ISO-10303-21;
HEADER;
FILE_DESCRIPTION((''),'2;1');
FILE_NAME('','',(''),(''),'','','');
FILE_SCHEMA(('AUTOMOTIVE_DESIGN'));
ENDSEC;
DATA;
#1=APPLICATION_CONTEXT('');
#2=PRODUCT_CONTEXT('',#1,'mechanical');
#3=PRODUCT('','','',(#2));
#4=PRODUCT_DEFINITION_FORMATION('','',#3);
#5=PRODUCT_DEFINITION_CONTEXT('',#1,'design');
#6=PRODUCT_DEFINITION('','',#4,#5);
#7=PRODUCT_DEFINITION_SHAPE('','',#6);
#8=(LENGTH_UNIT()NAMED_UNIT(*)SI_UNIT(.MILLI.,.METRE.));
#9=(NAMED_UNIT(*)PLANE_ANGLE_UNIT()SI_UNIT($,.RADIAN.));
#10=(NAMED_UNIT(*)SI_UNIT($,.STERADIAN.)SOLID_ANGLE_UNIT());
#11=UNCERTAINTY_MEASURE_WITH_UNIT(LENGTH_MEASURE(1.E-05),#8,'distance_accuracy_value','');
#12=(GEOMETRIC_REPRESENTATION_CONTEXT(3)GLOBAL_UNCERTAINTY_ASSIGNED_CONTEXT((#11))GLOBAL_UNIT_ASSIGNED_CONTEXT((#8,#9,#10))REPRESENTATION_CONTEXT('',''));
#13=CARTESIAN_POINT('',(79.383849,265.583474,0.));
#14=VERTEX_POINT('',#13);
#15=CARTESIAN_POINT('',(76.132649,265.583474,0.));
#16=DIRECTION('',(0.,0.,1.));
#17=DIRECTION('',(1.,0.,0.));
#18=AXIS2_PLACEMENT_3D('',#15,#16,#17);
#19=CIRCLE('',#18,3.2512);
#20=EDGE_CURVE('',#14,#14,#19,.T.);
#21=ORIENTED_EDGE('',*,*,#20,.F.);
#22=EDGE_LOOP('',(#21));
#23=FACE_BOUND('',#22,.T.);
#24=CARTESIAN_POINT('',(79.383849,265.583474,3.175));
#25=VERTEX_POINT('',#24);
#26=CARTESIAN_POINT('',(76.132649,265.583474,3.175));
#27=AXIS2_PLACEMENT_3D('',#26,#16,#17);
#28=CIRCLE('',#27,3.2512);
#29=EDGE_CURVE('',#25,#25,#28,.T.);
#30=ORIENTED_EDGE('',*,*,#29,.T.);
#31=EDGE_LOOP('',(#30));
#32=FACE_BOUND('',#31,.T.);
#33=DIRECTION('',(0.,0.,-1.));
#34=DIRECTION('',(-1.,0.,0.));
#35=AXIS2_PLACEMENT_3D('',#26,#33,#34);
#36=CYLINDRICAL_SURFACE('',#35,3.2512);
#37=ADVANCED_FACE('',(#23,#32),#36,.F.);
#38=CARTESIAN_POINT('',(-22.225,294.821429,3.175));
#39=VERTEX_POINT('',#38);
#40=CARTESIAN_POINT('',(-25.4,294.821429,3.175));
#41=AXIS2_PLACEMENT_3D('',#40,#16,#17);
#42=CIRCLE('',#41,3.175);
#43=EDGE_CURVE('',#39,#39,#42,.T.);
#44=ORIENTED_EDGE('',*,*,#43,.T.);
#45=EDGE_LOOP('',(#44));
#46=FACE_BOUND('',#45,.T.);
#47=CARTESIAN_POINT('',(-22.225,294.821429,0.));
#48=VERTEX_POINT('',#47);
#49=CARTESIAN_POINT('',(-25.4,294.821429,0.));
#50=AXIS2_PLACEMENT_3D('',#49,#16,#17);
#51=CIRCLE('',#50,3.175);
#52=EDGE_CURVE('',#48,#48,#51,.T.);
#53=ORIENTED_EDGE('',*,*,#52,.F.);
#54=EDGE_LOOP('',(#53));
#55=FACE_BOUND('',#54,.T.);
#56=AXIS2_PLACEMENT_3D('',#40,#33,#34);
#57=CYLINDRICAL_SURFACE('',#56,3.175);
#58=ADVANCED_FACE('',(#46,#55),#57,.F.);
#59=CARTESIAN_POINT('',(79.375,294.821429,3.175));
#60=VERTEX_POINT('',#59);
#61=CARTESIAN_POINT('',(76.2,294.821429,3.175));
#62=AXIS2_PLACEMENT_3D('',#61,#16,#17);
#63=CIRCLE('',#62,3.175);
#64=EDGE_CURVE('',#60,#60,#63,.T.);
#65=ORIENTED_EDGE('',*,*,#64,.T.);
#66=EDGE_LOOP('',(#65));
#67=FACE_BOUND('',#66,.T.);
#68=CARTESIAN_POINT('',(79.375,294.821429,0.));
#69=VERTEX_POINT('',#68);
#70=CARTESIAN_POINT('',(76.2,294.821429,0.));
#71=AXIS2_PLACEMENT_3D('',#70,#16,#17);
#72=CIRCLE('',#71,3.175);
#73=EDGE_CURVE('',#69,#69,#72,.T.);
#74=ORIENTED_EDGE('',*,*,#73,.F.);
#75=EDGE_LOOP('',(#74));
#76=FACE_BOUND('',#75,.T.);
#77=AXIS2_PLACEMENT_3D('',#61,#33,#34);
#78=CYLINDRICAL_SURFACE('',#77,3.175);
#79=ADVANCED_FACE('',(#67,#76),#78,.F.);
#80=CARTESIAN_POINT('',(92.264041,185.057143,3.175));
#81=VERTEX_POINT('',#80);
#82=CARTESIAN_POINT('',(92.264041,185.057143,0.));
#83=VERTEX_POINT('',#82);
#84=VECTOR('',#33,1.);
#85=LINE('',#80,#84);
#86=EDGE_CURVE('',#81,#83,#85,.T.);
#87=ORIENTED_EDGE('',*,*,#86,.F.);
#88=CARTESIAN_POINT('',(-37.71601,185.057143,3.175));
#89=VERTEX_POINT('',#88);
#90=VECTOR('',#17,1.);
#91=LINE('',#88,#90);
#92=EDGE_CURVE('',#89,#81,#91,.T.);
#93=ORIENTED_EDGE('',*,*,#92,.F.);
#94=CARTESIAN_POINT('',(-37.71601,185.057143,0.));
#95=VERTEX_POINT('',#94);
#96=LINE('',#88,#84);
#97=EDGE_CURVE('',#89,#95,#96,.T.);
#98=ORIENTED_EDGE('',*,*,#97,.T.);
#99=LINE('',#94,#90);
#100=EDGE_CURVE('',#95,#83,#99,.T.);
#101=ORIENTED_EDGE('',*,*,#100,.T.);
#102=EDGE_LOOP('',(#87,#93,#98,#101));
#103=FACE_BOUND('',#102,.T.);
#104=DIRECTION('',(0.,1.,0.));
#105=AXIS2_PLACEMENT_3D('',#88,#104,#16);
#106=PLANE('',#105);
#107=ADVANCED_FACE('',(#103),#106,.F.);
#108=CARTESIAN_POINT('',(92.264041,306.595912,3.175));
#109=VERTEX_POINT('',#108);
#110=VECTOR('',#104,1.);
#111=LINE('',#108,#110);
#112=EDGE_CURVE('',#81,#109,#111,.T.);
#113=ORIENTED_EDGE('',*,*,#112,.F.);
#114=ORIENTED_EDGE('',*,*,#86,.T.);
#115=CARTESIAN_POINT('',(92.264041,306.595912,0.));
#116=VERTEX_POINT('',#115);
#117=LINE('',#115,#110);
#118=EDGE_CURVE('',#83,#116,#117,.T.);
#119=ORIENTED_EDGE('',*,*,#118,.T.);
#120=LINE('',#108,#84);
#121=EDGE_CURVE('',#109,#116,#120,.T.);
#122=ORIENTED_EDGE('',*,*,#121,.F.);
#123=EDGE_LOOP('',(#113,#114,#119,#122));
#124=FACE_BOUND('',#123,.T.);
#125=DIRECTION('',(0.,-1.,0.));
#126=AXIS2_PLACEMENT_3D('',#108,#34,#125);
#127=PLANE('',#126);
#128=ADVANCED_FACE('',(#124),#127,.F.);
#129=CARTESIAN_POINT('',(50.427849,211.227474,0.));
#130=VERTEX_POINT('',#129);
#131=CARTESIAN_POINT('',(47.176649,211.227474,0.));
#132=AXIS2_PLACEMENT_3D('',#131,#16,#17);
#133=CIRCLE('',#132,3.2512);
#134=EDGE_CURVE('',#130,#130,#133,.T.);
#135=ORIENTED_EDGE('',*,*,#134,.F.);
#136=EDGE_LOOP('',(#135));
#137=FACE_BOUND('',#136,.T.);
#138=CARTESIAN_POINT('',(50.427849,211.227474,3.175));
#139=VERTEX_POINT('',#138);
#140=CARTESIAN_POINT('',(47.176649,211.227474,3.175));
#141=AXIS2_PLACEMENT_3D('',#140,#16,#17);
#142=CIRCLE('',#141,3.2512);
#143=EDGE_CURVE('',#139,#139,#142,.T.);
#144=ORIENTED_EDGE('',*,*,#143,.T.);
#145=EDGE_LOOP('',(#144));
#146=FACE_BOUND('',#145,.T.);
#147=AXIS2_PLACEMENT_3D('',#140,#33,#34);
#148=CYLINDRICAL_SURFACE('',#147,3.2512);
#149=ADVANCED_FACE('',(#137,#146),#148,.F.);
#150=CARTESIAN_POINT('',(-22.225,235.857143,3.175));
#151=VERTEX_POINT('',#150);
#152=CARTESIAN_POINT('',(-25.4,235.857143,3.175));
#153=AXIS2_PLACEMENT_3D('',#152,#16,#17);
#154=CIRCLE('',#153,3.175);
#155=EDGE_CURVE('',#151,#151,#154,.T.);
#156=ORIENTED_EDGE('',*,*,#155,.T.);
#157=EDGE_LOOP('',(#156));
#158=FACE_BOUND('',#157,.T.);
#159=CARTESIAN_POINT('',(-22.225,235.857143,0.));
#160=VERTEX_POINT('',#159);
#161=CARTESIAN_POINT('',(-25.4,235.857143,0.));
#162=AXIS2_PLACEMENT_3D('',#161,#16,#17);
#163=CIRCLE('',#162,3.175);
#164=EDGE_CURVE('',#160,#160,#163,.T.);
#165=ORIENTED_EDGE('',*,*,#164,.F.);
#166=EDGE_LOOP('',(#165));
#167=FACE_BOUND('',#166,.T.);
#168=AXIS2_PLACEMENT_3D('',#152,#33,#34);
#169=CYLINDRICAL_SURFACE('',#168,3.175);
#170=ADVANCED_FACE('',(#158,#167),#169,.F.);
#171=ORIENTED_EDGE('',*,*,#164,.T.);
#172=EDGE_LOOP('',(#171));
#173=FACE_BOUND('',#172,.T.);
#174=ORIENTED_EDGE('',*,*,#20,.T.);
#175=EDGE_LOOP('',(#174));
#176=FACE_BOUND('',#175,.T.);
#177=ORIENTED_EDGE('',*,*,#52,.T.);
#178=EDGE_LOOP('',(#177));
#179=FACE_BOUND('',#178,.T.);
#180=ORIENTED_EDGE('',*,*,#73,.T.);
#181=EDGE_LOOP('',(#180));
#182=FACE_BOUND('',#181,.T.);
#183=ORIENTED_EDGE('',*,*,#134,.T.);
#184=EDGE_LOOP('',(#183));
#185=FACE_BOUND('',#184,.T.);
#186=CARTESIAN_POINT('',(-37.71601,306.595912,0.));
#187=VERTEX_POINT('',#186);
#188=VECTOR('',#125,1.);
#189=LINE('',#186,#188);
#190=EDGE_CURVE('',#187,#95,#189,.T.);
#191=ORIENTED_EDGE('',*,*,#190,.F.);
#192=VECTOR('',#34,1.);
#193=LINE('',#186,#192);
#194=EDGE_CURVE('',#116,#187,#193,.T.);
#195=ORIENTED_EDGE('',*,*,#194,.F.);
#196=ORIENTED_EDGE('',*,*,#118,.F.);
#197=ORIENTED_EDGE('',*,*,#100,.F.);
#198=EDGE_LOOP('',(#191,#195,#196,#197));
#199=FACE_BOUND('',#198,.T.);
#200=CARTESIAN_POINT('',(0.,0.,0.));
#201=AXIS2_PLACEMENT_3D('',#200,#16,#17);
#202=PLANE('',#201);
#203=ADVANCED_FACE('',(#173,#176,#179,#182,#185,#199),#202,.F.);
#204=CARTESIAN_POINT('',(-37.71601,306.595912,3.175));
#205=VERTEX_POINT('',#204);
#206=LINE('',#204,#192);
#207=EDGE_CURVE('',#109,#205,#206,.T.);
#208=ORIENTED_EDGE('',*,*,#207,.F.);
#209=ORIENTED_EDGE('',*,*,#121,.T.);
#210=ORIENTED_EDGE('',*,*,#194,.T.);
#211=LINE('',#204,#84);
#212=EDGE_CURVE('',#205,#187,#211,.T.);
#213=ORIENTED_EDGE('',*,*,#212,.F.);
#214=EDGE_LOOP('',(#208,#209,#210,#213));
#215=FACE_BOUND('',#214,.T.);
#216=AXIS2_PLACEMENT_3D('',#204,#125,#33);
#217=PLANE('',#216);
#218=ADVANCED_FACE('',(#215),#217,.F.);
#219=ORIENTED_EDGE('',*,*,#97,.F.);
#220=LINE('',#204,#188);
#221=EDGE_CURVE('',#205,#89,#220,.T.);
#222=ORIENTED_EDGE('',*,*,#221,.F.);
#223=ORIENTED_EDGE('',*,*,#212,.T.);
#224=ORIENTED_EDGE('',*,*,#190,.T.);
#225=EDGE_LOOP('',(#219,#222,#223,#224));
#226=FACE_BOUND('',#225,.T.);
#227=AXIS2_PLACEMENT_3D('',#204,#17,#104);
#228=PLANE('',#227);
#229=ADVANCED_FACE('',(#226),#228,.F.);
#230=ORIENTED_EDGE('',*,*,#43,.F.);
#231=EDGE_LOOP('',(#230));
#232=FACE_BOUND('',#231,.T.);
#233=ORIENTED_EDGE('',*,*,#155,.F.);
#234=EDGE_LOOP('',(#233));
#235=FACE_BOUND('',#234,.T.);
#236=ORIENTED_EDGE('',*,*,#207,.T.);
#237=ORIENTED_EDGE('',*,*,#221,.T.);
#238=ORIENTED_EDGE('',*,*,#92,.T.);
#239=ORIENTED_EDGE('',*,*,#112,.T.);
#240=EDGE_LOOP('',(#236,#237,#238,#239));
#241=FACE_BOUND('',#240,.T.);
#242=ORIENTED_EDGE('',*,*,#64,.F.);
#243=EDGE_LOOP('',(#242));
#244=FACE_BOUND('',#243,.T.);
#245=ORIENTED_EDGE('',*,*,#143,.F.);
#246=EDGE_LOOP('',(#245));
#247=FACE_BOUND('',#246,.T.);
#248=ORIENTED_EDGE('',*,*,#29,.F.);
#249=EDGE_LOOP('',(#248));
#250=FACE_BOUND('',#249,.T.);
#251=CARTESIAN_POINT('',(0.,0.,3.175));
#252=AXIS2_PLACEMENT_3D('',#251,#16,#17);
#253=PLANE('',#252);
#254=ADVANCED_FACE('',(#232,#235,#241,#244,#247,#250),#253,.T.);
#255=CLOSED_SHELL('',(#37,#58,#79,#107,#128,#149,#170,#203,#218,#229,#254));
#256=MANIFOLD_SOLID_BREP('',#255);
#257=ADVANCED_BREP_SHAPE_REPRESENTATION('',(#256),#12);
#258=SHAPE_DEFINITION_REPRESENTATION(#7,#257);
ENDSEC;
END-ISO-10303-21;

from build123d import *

# Parameters (mm, degrees)
SKETCH1_W           = 129.980051375
SKETCH1_H           = 121.538769524
SKETCH1_R           = 3.175
SKETCH1_R_2         = 3.2512
BOSS_EXTRUDE1_DEPTH = 3.175


with BuildPart() as part:
    # Sketch1 → Boss-Extrude1 (new body)
    with BuildSketch(Plane.XY):
        with Locations((27.274015196, 245.826527619)):
            Rectangle(SKETCH1_W, SKETCH1_H)
        with Locations((-25.4, 235.857142857)):
            Circle(SKETCH1_R, mode=Mode.SUBTRACT)
        with Locations((-25.4, 294.821428571)):
            Circle(SKETCH1_R, mode=Mode.SUBTRACT)
        with Locations((76.2, 294.821428571)):
            Circle(SKETCH1_R, mode=Mode.SUBTRACT)
        with Locations((76.132649113, 265.583474471)):
            Circle(SKETCH1_R_2, mode=Mode.SUBTRACT)
        with Locations((47.176649113, 211.227474471)):
            Circle(SKETCH1_R_2, mode=Mode.SUBTRACT)
    extrude(amount=BOSS_EXTRUDE1_DEPTH)


solid = part.part
